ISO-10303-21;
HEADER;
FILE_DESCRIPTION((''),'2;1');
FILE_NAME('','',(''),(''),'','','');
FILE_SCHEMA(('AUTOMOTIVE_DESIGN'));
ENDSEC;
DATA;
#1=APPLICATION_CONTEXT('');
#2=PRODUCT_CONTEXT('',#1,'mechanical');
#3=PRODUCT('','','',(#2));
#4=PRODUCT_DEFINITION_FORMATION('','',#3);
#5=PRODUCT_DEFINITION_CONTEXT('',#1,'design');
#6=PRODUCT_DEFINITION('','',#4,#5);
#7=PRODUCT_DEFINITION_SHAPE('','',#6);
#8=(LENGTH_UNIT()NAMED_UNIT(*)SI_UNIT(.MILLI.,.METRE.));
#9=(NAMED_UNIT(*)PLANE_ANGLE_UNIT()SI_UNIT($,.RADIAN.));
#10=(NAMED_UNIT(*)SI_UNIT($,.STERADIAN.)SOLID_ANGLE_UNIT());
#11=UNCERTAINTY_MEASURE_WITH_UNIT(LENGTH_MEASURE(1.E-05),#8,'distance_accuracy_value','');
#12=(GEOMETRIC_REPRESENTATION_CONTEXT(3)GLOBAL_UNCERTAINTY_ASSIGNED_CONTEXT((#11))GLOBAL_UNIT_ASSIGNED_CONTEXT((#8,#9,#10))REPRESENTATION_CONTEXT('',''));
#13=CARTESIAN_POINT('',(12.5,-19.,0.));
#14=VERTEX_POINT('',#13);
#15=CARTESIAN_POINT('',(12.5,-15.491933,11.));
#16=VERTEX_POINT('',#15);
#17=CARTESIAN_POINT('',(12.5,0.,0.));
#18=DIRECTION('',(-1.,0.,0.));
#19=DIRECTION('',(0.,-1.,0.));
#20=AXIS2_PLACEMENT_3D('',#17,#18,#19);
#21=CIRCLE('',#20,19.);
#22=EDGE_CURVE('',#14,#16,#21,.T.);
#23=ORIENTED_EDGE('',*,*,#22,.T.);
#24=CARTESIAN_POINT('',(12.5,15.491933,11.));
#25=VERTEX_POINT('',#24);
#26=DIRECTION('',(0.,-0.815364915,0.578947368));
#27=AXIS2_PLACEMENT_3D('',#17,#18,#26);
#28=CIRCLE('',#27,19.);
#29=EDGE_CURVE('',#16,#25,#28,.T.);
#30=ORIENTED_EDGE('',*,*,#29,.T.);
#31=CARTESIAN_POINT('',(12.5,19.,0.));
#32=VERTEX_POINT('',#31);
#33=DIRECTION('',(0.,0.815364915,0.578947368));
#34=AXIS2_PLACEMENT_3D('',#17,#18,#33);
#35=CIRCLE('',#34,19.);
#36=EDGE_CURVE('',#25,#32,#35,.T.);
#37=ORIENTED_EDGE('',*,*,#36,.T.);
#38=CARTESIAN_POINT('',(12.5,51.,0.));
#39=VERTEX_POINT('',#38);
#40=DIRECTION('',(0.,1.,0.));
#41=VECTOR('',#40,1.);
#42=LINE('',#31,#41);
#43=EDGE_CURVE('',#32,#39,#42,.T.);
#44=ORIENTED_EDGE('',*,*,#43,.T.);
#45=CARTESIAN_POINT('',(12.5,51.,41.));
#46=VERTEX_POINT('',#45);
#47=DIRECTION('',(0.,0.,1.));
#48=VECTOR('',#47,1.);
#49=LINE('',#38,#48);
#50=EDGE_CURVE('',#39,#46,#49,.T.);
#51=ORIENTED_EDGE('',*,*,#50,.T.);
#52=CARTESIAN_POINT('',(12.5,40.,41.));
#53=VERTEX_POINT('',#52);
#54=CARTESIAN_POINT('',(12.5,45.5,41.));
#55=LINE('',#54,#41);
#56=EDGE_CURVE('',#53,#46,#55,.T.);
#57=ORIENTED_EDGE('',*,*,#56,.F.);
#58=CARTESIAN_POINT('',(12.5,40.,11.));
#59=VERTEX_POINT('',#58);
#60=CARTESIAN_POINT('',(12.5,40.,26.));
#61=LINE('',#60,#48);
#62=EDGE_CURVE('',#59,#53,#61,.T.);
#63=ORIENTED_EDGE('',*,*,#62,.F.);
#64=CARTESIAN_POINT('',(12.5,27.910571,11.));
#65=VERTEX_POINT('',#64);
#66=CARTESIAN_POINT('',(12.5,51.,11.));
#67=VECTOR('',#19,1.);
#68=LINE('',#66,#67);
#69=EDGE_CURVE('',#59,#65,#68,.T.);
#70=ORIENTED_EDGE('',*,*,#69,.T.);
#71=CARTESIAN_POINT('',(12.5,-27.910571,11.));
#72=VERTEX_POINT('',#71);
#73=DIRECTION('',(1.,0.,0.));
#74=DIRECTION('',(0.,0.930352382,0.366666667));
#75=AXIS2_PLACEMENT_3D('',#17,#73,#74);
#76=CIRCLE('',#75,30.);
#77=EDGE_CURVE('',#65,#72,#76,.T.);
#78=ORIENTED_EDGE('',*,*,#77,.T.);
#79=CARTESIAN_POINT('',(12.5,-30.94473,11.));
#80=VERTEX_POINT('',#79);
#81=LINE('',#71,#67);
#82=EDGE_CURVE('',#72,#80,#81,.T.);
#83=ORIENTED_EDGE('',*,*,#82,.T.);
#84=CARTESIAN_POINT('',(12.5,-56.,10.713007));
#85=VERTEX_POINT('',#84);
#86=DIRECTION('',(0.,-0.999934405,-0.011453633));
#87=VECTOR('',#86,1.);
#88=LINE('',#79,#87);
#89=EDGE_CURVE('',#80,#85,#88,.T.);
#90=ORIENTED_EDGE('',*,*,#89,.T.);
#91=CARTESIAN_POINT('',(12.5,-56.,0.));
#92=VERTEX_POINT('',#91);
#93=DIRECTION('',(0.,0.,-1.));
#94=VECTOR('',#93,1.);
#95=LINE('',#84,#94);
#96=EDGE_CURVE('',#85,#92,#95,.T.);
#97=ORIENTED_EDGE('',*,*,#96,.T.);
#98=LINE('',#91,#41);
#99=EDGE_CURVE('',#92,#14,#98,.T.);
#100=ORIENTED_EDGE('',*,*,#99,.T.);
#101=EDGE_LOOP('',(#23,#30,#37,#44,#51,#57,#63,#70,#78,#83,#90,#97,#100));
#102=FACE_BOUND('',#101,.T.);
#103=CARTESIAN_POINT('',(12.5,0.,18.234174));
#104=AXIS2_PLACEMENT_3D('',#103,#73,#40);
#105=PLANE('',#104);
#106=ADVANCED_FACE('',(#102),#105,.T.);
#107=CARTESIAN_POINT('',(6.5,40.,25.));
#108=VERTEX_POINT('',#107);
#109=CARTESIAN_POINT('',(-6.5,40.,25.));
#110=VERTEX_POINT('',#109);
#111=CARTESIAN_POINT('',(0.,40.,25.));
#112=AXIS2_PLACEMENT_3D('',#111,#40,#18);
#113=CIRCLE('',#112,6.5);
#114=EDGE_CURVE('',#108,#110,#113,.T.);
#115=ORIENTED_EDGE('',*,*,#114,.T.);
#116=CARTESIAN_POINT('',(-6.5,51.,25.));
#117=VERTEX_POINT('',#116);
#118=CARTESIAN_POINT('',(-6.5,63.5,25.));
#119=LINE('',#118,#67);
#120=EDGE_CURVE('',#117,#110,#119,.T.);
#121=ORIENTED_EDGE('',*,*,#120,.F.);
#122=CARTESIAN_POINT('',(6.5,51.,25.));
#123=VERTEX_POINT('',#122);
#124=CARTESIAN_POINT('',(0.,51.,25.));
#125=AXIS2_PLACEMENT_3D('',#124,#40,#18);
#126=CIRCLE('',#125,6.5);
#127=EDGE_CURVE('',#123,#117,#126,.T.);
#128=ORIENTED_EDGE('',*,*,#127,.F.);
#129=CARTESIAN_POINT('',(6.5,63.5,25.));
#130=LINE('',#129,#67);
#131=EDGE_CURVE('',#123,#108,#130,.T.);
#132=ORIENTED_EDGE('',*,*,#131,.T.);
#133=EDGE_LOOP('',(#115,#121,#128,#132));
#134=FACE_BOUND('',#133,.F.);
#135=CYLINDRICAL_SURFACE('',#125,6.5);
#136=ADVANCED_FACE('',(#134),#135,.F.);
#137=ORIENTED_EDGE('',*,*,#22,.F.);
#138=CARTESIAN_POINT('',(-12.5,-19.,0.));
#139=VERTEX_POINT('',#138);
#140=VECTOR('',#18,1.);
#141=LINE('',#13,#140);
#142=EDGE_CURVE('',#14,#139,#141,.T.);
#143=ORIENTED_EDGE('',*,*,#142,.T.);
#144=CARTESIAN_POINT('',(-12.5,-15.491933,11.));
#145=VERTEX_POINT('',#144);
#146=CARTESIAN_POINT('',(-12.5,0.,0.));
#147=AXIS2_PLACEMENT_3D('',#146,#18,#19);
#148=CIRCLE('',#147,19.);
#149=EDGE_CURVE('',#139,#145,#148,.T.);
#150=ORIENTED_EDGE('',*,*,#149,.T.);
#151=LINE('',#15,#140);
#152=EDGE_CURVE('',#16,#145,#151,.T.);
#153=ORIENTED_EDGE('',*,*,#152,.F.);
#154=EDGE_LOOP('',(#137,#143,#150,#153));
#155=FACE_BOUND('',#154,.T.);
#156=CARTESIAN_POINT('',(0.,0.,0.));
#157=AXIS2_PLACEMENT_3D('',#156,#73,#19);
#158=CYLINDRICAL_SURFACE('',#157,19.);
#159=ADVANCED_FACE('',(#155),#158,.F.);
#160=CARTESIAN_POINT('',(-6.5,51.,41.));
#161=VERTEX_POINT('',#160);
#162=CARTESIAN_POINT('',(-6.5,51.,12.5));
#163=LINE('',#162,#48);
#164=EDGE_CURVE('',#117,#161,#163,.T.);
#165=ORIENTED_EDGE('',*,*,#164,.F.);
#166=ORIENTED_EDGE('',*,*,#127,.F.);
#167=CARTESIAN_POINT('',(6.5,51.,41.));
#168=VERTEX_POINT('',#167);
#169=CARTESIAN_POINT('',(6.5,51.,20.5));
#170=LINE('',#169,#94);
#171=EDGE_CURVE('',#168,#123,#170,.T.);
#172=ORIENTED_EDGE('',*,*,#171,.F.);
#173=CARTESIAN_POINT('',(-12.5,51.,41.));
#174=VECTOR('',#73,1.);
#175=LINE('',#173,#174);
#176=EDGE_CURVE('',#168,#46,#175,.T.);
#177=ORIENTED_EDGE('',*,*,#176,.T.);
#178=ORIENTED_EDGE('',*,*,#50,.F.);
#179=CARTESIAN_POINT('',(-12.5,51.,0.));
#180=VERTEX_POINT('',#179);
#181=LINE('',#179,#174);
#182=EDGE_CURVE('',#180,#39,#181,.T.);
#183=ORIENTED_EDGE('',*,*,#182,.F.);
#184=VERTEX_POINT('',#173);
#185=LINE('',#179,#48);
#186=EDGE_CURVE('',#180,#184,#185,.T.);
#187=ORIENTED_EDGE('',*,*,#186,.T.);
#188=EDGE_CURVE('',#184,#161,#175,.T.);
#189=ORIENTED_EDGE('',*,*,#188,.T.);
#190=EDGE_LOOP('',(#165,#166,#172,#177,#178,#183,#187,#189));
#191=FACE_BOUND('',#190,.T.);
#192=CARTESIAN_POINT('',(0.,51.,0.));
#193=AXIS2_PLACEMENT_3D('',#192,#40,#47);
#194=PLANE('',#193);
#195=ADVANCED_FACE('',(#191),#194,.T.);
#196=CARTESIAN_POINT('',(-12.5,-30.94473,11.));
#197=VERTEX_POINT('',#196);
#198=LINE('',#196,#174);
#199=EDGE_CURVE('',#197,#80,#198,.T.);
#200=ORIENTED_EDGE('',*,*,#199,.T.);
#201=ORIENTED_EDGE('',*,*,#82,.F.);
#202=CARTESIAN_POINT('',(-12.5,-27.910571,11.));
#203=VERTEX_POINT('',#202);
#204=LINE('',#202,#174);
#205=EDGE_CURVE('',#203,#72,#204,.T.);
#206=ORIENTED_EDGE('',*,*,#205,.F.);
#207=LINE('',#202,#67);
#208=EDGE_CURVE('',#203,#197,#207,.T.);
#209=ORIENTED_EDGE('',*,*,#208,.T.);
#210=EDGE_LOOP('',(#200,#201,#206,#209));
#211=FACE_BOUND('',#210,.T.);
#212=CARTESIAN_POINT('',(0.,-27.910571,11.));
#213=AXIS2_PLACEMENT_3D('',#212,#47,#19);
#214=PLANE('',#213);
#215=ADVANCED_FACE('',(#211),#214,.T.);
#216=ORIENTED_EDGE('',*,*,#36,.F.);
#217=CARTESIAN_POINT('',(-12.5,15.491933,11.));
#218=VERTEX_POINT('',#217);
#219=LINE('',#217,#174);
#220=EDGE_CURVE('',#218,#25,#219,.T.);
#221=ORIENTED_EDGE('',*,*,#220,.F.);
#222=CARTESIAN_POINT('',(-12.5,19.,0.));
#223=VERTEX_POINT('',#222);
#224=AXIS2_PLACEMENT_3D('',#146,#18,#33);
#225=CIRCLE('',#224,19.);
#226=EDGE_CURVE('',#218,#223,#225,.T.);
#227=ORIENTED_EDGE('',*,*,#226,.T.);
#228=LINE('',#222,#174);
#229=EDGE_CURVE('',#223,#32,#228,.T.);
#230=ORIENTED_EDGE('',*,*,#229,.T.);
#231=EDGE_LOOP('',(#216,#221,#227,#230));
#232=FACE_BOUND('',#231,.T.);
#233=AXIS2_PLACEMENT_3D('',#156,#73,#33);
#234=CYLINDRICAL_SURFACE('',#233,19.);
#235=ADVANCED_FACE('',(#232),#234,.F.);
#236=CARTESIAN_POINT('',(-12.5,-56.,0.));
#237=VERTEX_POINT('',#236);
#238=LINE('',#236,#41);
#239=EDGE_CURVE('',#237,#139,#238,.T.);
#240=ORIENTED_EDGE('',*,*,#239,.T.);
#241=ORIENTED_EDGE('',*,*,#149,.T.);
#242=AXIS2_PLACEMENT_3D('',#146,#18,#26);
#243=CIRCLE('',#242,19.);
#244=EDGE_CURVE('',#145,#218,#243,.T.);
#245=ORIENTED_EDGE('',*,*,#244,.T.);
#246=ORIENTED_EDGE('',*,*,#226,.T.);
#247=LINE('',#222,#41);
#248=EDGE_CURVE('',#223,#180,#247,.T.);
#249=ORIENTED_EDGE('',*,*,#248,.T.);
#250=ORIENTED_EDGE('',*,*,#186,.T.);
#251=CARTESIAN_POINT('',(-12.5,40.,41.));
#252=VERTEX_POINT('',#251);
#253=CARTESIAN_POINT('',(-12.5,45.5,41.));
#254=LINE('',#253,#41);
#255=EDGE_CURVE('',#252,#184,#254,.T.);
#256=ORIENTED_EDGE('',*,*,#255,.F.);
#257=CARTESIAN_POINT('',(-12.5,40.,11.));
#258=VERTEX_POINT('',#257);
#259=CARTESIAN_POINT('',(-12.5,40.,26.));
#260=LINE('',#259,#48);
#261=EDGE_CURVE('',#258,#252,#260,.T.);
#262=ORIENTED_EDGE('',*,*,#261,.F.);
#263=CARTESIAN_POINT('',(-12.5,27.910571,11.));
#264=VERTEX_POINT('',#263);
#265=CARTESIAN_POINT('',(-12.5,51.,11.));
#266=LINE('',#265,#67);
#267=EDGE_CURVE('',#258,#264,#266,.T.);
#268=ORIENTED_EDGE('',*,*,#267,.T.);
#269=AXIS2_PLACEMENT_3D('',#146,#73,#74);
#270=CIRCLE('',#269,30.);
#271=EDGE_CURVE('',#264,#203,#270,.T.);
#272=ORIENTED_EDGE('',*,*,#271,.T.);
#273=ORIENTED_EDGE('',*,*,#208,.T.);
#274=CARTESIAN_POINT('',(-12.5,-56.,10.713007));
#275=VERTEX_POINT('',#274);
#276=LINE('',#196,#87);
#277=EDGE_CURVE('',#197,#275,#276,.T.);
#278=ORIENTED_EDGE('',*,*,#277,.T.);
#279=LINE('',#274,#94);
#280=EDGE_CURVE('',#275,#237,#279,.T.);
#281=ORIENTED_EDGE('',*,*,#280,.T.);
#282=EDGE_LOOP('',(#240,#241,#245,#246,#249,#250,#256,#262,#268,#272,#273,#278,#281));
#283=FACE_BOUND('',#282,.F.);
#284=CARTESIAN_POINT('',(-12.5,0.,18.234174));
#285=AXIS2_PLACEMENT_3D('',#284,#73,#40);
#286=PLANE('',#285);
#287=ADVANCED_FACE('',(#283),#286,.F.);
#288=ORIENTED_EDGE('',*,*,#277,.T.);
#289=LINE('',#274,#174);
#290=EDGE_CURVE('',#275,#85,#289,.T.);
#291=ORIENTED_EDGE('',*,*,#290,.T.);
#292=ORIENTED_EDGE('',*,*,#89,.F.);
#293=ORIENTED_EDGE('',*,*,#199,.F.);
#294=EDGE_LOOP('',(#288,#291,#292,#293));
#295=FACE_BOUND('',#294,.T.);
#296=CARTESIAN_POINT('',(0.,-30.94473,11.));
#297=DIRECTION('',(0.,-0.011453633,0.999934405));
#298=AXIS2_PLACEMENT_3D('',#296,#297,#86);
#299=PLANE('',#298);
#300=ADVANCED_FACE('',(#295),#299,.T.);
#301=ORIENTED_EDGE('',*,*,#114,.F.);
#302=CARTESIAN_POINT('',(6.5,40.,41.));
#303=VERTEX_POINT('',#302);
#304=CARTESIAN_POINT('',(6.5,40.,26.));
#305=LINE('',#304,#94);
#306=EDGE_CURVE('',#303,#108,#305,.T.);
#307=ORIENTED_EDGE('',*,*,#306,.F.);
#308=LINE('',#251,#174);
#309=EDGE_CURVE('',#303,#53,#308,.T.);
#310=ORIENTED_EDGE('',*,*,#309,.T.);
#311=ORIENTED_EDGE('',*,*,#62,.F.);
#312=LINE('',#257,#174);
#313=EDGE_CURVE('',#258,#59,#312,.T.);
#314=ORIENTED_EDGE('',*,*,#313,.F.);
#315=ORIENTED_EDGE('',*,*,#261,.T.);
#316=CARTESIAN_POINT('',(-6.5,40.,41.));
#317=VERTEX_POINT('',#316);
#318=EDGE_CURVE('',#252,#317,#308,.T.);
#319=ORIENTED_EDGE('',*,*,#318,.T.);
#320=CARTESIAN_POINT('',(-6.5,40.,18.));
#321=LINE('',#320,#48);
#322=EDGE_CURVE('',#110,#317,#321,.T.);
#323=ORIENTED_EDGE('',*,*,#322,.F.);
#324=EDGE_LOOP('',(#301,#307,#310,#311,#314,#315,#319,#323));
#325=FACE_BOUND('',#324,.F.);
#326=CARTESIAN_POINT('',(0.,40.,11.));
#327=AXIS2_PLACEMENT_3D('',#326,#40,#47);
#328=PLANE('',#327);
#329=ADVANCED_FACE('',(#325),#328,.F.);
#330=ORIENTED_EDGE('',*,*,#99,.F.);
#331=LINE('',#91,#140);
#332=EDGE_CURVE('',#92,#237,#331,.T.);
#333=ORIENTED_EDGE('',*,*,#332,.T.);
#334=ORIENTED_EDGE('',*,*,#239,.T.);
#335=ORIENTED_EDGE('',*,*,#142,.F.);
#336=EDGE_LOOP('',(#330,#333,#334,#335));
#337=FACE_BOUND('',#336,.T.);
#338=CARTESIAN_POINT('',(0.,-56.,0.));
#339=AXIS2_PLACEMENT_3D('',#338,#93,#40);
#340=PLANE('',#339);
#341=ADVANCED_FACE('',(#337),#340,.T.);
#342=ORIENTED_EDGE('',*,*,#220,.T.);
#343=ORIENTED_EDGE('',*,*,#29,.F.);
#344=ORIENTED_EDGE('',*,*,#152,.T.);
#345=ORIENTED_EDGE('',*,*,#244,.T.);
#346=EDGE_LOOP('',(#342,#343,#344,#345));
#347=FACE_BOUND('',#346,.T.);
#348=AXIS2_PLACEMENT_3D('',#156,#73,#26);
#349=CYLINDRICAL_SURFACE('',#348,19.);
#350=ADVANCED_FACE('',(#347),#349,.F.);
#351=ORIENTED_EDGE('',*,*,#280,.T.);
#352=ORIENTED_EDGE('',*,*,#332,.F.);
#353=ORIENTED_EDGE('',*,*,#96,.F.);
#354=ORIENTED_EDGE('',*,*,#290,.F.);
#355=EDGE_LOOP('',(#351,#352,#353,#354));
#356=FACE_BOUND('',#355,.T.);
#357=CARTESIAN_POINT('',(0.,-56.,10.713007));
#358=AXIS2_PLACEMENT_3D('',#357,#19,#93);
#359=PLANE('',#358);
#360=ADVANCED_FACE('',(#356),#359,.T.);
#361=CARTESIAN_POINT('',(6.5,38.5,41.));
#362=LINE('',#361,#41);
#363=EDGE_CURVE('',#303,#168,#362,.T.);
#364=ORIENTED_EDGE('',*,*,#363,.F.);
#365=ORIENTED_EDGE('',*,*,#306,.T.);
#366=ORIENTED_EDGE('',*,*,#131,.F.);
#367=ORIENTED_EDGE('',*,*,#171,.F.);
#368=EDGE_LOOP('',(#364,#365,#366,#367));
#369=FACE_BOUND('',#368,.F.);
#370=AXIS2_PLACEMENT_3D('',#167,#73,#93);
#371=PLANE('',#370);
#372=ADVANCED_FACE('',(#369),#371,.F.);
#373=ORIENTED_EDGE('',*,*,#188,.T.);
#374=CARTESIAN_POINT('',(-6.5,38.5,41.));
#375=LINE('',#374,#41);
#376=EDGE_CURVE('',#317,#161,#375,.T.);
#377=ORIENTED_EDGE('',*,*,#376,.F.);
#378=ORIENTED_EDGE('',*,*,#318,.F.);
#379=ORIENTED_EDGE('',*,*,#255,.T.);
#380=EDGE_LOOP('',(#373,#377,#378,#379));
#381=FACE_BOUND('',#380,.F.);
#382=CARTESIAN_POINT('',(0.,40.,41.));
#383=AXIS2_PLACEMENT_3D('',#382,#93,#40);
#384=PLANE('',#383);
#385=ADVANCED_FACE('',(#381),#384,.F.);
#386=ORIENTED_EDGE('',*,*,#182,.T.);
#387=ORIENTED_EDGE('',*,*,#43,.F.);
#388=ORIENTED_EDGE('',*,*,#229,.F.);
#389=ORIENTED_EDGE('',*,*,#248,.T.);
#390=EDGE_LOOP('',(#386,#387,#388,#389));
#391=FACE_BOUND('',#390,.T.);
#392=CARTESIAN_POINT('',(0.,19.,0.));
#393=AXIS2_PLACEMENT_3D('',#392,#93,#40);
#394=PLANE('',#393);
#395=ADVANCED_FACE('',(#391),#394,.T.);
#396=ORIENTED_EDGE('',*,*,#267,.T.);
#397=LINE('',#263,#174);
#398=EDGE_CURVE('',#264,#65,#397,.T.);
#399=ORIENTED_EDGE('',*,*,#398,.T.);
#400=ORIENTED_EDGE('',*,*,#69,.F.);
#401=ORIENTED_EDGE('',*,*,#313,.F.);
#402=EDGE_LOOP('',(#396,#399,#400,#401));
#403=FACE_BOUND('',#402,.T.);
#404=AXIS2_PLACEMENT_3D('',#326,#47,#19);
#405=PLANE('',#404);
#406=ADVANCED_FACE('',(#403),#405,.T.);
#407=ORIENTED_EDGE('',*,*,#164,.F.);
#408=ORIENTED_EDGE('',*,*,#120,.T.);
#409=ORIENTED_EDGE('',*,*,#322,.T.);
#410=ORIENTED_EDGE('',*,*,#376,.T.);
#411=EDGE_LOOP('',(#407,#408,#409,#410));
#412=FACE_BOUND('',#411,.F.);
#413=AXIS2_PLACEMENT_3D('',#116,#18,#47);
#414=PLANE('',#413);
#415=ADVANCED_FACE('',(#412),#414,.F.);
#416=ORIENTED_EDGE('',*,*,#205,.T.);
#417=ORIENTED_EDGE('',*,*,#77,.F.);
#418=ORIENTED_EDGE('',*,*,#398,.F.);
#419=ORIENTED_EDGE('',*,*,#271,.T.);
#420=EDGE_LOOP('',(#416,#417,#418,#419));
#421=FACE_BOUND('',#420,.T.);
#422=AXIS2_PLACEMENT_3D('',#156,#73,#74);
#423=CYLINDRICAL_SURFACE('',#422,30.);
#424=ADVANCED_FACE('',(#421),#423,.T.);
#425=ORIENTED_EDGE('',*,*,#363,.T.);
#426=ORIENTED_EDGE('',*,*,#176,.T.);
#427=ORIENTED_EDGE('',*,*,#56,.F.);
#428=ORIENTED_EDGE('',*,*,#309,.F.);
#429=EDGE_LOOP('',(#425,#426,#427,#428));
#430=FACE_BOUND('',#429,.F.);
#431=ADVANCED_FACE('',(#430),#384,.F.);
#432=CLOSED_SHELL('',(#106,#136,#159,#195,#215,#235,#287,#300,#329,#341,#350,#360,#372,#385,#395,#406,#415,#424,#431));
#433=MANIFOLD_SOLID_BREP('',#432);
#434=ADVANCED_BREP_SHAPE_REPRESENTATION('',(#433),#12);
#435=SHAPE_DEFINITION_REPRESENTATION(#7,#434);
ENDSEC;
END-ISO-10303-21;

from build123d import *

# Parameters (mm, degrees)
F0_W     = 11
F0_H     = 30
F1_DEPTH = 12.5
F3_DEPTH = 12.5


with BuildPart() as f1:
    # F0 (on Right) → F1 (new body, symmetric)
    with BuildSketch(Plane.YZ):
        with BuildLine():
            ThreePointArc((-15.4919333848, 11), (0, 19), (15.4919333848, 11))
            Line((15.4919333848, 11), (27.9105714739, 11))
            ThreePointArc((27.9105714739, 11), (0, 30), (-27.9105714739, 11))
            Line((-27.9105714739, 11), (-15.4919333848, 11))
        make_face()
        with BuildLine():
            Line((-30, 0), (-19, 0))
            ThreePointArc((-19, 0), (-18.1017503893, 5.7729223833), (-15.4919333848, 11))
            Line((-15.4919333848, 11), (-27.9105714739, 11))
            ThreePointArc((-27.9105714739, 11), (-29.4730143031, 5.5983415304), (-30, 0))
        make_face()
        with BuildLine():
            ThreePointArc((15.4919333848, 11), (18.1017503893, 5.7729223833), (19, 0))
            Line((19, 0), (25.9447301083, 0))
            Line((25.9447301083, 0), (30, 0))
            ThreePointArc((30, 0), (29.4730143031, 5.5983415304), (27.9105714739, 11))
            Line((27.9105714739, 11), (15.4919333848, 11))
        make_face()
        with BuildLine():
            Line((40, 11), (27.9105714739, 11))
            ThreePointArc((27.9105714739, 11), (29.4730143031, 5.5983415304), (30, 0))
            Line((30, 0), (51, 0))
            Line((51, 0), (51, 11))
            Line((51, 11), (40, 11))
        make_face()
        with BuildLine():
            Line((-30.9447301083, 0), (-30, 0))
            ThreePointArc((-30, 0), (-29.4730143031, 5.5983415304), (-27.9105714739, 11))
            Line((-27.9105714739, 11), (-30.9447301083, 11))
            Line((-30.9447301083, 11), (-30.9447301083, 0))
        make_face()
        with Locations((45.5, 26)):
            Rectangle(F0_W, F0_H)
        Polygon((-56, 0), (-30.9447301083, 0), (-30.9447301083, 11), (-56, 10.7130073011), align=None)
    extrude(amount=F1_DEPTH, both=True)

    # F2 (on face) → F3 (cut, symmetric)
    with BuildSketch(Plane(origin=(0, 51, 0), x_dir=(-1, 0, 0), z_dir=(0, 1, 0))):
        with BuildLine():
            ThreePointArc((-6.5, 25), (0, 31.5), (6.5, 25))
            Line((6.5, 25), (6.5, 41))
            Line((6.5, 41), (-6.5, 41))
            Line((-6.5, 41), (-6.5, 25))
        make_face()
        with BuildLine():
            ThreePointArc((-6.5, 25), (0, 18.5), (6.5, 25))
            ThreePointArc((6.5, 25), (0, 31.5), (-6.5, 25))
        make_face()
    extrude(amount=F3_DEPTH, both=True, mode=Mode.SUBTRACT)


solid = f1.part
